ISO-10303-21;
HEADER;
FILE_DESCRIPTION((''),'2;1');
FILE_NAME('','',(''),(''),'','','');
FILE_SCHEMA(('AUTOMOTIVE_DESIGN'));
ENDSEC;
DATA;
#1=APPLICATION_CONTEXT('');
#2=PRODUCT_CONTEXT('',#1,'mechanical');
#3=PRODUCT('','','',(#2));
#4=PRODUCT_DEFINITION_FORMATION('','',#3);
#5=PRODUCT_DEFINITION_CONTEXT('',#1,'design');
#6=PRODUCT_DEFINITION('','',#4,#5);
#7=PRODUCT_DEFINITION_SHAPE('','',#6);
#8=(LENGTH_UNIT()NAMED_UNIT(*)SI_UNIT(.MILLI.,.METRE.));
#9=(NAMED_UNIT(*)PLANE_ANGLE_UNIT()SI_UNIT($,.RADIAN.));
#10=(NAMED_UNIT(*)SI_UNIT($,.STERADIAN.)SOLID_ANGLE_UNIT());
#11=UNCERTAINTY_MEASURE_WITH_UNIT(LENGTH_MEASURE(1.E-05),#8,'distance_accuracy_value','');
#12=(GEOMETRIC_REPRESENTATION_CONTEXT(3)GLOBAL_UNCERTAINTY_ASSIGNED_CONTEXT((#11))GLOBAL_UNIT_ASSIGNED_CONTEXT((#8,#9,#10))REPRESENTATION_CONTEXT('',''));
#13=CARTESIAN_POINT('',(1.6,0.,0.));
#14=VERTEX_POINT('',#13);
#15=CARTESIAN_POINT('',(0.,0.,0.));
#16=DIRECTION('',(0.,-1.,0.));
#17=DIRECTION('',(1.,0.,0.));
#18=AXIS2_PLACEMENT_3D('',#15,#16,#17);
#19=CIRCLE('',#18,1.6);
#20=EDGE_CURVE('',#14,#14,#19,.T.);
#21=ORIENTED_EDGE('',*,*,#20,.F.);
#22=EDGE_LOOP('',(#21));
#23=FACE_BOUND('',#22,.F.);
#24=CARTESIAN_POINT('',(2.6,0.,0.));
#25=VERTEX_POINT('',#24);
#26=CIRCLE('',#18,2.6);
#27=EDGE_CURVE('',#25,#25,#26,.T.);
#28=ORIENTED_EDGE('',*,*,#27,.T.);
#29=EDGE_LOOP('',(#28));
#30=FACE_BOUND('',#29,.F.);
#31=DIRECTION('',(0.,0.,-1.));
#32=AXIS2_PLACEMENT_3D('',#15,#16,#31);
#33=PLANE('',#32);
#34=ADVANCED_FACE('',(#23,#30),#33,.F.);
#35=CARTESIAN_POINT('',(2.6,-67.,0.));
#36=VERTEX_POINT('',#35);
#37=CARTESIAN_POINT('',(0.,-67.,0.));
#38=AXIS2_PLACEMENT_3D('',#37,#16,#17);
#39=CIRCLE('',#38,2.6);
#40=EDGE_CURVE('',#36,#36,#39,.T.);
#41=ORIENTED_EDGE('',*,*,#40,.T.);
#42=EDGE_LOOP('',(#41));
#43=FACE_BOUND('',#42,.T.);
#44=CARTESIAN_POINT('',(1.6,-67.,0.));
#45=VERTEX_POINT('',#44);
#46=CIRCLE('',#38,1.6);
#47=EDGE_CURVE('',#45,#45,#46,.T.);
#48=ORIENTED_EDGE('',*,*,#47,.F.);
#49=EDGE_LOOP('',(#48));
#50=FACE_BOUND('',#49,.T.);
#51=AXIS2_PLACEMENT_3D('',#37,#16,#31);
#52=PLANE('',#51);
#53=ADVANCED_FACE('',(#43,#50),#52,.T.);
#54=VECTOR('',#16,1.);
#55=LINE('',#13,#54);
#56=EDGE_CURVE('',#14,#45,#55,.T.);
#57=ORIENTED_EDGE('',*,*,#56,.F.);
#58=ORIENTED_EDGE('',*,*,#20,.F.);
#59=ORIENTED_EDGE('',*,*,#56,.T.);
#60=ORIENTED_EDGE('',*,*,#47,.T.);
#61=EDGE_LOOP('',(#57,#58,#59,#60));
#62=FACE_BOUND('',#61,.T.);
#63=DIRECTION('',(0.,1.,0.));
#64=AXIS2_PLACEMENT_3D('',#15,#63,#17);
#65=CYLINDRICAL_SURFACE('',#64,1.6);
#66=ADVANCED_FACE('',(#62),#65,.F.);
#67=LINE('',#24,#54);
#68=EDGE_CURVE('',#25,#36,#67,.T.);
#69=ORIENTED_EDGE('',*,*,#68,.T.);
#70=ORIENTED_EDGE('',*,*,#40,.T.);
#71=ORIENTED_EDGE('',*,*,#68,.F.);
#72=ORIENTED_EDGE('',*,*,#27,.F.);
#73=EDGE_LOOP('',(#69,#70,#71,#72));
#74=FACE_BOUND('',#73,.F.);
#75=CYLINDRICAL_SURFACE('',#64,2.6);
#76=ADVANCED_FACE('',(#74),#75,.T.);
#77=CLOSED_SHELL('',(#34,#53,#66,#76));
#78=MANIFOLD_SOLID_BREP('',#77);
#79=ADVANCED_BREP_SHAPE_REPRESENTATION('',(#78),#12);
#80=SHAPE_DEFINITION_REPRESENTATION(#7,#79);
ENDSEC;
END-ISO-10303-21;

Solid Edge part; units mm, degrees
sketch "Sketch1" plane through (0, 0, 0) normal (0, -1, 0) x (1, 0, 0)
  circle A0 centre (0, 0) radius 2.6
  circle A1 centre (0, 0) radius 1.6
  dimension "D1" = 3.2
  dimension "D2" = 5.2
extrude "Protrusion1" add sketch "Sketch1" along normal blind 67
properties material "ABS Plastic, medium impact"
